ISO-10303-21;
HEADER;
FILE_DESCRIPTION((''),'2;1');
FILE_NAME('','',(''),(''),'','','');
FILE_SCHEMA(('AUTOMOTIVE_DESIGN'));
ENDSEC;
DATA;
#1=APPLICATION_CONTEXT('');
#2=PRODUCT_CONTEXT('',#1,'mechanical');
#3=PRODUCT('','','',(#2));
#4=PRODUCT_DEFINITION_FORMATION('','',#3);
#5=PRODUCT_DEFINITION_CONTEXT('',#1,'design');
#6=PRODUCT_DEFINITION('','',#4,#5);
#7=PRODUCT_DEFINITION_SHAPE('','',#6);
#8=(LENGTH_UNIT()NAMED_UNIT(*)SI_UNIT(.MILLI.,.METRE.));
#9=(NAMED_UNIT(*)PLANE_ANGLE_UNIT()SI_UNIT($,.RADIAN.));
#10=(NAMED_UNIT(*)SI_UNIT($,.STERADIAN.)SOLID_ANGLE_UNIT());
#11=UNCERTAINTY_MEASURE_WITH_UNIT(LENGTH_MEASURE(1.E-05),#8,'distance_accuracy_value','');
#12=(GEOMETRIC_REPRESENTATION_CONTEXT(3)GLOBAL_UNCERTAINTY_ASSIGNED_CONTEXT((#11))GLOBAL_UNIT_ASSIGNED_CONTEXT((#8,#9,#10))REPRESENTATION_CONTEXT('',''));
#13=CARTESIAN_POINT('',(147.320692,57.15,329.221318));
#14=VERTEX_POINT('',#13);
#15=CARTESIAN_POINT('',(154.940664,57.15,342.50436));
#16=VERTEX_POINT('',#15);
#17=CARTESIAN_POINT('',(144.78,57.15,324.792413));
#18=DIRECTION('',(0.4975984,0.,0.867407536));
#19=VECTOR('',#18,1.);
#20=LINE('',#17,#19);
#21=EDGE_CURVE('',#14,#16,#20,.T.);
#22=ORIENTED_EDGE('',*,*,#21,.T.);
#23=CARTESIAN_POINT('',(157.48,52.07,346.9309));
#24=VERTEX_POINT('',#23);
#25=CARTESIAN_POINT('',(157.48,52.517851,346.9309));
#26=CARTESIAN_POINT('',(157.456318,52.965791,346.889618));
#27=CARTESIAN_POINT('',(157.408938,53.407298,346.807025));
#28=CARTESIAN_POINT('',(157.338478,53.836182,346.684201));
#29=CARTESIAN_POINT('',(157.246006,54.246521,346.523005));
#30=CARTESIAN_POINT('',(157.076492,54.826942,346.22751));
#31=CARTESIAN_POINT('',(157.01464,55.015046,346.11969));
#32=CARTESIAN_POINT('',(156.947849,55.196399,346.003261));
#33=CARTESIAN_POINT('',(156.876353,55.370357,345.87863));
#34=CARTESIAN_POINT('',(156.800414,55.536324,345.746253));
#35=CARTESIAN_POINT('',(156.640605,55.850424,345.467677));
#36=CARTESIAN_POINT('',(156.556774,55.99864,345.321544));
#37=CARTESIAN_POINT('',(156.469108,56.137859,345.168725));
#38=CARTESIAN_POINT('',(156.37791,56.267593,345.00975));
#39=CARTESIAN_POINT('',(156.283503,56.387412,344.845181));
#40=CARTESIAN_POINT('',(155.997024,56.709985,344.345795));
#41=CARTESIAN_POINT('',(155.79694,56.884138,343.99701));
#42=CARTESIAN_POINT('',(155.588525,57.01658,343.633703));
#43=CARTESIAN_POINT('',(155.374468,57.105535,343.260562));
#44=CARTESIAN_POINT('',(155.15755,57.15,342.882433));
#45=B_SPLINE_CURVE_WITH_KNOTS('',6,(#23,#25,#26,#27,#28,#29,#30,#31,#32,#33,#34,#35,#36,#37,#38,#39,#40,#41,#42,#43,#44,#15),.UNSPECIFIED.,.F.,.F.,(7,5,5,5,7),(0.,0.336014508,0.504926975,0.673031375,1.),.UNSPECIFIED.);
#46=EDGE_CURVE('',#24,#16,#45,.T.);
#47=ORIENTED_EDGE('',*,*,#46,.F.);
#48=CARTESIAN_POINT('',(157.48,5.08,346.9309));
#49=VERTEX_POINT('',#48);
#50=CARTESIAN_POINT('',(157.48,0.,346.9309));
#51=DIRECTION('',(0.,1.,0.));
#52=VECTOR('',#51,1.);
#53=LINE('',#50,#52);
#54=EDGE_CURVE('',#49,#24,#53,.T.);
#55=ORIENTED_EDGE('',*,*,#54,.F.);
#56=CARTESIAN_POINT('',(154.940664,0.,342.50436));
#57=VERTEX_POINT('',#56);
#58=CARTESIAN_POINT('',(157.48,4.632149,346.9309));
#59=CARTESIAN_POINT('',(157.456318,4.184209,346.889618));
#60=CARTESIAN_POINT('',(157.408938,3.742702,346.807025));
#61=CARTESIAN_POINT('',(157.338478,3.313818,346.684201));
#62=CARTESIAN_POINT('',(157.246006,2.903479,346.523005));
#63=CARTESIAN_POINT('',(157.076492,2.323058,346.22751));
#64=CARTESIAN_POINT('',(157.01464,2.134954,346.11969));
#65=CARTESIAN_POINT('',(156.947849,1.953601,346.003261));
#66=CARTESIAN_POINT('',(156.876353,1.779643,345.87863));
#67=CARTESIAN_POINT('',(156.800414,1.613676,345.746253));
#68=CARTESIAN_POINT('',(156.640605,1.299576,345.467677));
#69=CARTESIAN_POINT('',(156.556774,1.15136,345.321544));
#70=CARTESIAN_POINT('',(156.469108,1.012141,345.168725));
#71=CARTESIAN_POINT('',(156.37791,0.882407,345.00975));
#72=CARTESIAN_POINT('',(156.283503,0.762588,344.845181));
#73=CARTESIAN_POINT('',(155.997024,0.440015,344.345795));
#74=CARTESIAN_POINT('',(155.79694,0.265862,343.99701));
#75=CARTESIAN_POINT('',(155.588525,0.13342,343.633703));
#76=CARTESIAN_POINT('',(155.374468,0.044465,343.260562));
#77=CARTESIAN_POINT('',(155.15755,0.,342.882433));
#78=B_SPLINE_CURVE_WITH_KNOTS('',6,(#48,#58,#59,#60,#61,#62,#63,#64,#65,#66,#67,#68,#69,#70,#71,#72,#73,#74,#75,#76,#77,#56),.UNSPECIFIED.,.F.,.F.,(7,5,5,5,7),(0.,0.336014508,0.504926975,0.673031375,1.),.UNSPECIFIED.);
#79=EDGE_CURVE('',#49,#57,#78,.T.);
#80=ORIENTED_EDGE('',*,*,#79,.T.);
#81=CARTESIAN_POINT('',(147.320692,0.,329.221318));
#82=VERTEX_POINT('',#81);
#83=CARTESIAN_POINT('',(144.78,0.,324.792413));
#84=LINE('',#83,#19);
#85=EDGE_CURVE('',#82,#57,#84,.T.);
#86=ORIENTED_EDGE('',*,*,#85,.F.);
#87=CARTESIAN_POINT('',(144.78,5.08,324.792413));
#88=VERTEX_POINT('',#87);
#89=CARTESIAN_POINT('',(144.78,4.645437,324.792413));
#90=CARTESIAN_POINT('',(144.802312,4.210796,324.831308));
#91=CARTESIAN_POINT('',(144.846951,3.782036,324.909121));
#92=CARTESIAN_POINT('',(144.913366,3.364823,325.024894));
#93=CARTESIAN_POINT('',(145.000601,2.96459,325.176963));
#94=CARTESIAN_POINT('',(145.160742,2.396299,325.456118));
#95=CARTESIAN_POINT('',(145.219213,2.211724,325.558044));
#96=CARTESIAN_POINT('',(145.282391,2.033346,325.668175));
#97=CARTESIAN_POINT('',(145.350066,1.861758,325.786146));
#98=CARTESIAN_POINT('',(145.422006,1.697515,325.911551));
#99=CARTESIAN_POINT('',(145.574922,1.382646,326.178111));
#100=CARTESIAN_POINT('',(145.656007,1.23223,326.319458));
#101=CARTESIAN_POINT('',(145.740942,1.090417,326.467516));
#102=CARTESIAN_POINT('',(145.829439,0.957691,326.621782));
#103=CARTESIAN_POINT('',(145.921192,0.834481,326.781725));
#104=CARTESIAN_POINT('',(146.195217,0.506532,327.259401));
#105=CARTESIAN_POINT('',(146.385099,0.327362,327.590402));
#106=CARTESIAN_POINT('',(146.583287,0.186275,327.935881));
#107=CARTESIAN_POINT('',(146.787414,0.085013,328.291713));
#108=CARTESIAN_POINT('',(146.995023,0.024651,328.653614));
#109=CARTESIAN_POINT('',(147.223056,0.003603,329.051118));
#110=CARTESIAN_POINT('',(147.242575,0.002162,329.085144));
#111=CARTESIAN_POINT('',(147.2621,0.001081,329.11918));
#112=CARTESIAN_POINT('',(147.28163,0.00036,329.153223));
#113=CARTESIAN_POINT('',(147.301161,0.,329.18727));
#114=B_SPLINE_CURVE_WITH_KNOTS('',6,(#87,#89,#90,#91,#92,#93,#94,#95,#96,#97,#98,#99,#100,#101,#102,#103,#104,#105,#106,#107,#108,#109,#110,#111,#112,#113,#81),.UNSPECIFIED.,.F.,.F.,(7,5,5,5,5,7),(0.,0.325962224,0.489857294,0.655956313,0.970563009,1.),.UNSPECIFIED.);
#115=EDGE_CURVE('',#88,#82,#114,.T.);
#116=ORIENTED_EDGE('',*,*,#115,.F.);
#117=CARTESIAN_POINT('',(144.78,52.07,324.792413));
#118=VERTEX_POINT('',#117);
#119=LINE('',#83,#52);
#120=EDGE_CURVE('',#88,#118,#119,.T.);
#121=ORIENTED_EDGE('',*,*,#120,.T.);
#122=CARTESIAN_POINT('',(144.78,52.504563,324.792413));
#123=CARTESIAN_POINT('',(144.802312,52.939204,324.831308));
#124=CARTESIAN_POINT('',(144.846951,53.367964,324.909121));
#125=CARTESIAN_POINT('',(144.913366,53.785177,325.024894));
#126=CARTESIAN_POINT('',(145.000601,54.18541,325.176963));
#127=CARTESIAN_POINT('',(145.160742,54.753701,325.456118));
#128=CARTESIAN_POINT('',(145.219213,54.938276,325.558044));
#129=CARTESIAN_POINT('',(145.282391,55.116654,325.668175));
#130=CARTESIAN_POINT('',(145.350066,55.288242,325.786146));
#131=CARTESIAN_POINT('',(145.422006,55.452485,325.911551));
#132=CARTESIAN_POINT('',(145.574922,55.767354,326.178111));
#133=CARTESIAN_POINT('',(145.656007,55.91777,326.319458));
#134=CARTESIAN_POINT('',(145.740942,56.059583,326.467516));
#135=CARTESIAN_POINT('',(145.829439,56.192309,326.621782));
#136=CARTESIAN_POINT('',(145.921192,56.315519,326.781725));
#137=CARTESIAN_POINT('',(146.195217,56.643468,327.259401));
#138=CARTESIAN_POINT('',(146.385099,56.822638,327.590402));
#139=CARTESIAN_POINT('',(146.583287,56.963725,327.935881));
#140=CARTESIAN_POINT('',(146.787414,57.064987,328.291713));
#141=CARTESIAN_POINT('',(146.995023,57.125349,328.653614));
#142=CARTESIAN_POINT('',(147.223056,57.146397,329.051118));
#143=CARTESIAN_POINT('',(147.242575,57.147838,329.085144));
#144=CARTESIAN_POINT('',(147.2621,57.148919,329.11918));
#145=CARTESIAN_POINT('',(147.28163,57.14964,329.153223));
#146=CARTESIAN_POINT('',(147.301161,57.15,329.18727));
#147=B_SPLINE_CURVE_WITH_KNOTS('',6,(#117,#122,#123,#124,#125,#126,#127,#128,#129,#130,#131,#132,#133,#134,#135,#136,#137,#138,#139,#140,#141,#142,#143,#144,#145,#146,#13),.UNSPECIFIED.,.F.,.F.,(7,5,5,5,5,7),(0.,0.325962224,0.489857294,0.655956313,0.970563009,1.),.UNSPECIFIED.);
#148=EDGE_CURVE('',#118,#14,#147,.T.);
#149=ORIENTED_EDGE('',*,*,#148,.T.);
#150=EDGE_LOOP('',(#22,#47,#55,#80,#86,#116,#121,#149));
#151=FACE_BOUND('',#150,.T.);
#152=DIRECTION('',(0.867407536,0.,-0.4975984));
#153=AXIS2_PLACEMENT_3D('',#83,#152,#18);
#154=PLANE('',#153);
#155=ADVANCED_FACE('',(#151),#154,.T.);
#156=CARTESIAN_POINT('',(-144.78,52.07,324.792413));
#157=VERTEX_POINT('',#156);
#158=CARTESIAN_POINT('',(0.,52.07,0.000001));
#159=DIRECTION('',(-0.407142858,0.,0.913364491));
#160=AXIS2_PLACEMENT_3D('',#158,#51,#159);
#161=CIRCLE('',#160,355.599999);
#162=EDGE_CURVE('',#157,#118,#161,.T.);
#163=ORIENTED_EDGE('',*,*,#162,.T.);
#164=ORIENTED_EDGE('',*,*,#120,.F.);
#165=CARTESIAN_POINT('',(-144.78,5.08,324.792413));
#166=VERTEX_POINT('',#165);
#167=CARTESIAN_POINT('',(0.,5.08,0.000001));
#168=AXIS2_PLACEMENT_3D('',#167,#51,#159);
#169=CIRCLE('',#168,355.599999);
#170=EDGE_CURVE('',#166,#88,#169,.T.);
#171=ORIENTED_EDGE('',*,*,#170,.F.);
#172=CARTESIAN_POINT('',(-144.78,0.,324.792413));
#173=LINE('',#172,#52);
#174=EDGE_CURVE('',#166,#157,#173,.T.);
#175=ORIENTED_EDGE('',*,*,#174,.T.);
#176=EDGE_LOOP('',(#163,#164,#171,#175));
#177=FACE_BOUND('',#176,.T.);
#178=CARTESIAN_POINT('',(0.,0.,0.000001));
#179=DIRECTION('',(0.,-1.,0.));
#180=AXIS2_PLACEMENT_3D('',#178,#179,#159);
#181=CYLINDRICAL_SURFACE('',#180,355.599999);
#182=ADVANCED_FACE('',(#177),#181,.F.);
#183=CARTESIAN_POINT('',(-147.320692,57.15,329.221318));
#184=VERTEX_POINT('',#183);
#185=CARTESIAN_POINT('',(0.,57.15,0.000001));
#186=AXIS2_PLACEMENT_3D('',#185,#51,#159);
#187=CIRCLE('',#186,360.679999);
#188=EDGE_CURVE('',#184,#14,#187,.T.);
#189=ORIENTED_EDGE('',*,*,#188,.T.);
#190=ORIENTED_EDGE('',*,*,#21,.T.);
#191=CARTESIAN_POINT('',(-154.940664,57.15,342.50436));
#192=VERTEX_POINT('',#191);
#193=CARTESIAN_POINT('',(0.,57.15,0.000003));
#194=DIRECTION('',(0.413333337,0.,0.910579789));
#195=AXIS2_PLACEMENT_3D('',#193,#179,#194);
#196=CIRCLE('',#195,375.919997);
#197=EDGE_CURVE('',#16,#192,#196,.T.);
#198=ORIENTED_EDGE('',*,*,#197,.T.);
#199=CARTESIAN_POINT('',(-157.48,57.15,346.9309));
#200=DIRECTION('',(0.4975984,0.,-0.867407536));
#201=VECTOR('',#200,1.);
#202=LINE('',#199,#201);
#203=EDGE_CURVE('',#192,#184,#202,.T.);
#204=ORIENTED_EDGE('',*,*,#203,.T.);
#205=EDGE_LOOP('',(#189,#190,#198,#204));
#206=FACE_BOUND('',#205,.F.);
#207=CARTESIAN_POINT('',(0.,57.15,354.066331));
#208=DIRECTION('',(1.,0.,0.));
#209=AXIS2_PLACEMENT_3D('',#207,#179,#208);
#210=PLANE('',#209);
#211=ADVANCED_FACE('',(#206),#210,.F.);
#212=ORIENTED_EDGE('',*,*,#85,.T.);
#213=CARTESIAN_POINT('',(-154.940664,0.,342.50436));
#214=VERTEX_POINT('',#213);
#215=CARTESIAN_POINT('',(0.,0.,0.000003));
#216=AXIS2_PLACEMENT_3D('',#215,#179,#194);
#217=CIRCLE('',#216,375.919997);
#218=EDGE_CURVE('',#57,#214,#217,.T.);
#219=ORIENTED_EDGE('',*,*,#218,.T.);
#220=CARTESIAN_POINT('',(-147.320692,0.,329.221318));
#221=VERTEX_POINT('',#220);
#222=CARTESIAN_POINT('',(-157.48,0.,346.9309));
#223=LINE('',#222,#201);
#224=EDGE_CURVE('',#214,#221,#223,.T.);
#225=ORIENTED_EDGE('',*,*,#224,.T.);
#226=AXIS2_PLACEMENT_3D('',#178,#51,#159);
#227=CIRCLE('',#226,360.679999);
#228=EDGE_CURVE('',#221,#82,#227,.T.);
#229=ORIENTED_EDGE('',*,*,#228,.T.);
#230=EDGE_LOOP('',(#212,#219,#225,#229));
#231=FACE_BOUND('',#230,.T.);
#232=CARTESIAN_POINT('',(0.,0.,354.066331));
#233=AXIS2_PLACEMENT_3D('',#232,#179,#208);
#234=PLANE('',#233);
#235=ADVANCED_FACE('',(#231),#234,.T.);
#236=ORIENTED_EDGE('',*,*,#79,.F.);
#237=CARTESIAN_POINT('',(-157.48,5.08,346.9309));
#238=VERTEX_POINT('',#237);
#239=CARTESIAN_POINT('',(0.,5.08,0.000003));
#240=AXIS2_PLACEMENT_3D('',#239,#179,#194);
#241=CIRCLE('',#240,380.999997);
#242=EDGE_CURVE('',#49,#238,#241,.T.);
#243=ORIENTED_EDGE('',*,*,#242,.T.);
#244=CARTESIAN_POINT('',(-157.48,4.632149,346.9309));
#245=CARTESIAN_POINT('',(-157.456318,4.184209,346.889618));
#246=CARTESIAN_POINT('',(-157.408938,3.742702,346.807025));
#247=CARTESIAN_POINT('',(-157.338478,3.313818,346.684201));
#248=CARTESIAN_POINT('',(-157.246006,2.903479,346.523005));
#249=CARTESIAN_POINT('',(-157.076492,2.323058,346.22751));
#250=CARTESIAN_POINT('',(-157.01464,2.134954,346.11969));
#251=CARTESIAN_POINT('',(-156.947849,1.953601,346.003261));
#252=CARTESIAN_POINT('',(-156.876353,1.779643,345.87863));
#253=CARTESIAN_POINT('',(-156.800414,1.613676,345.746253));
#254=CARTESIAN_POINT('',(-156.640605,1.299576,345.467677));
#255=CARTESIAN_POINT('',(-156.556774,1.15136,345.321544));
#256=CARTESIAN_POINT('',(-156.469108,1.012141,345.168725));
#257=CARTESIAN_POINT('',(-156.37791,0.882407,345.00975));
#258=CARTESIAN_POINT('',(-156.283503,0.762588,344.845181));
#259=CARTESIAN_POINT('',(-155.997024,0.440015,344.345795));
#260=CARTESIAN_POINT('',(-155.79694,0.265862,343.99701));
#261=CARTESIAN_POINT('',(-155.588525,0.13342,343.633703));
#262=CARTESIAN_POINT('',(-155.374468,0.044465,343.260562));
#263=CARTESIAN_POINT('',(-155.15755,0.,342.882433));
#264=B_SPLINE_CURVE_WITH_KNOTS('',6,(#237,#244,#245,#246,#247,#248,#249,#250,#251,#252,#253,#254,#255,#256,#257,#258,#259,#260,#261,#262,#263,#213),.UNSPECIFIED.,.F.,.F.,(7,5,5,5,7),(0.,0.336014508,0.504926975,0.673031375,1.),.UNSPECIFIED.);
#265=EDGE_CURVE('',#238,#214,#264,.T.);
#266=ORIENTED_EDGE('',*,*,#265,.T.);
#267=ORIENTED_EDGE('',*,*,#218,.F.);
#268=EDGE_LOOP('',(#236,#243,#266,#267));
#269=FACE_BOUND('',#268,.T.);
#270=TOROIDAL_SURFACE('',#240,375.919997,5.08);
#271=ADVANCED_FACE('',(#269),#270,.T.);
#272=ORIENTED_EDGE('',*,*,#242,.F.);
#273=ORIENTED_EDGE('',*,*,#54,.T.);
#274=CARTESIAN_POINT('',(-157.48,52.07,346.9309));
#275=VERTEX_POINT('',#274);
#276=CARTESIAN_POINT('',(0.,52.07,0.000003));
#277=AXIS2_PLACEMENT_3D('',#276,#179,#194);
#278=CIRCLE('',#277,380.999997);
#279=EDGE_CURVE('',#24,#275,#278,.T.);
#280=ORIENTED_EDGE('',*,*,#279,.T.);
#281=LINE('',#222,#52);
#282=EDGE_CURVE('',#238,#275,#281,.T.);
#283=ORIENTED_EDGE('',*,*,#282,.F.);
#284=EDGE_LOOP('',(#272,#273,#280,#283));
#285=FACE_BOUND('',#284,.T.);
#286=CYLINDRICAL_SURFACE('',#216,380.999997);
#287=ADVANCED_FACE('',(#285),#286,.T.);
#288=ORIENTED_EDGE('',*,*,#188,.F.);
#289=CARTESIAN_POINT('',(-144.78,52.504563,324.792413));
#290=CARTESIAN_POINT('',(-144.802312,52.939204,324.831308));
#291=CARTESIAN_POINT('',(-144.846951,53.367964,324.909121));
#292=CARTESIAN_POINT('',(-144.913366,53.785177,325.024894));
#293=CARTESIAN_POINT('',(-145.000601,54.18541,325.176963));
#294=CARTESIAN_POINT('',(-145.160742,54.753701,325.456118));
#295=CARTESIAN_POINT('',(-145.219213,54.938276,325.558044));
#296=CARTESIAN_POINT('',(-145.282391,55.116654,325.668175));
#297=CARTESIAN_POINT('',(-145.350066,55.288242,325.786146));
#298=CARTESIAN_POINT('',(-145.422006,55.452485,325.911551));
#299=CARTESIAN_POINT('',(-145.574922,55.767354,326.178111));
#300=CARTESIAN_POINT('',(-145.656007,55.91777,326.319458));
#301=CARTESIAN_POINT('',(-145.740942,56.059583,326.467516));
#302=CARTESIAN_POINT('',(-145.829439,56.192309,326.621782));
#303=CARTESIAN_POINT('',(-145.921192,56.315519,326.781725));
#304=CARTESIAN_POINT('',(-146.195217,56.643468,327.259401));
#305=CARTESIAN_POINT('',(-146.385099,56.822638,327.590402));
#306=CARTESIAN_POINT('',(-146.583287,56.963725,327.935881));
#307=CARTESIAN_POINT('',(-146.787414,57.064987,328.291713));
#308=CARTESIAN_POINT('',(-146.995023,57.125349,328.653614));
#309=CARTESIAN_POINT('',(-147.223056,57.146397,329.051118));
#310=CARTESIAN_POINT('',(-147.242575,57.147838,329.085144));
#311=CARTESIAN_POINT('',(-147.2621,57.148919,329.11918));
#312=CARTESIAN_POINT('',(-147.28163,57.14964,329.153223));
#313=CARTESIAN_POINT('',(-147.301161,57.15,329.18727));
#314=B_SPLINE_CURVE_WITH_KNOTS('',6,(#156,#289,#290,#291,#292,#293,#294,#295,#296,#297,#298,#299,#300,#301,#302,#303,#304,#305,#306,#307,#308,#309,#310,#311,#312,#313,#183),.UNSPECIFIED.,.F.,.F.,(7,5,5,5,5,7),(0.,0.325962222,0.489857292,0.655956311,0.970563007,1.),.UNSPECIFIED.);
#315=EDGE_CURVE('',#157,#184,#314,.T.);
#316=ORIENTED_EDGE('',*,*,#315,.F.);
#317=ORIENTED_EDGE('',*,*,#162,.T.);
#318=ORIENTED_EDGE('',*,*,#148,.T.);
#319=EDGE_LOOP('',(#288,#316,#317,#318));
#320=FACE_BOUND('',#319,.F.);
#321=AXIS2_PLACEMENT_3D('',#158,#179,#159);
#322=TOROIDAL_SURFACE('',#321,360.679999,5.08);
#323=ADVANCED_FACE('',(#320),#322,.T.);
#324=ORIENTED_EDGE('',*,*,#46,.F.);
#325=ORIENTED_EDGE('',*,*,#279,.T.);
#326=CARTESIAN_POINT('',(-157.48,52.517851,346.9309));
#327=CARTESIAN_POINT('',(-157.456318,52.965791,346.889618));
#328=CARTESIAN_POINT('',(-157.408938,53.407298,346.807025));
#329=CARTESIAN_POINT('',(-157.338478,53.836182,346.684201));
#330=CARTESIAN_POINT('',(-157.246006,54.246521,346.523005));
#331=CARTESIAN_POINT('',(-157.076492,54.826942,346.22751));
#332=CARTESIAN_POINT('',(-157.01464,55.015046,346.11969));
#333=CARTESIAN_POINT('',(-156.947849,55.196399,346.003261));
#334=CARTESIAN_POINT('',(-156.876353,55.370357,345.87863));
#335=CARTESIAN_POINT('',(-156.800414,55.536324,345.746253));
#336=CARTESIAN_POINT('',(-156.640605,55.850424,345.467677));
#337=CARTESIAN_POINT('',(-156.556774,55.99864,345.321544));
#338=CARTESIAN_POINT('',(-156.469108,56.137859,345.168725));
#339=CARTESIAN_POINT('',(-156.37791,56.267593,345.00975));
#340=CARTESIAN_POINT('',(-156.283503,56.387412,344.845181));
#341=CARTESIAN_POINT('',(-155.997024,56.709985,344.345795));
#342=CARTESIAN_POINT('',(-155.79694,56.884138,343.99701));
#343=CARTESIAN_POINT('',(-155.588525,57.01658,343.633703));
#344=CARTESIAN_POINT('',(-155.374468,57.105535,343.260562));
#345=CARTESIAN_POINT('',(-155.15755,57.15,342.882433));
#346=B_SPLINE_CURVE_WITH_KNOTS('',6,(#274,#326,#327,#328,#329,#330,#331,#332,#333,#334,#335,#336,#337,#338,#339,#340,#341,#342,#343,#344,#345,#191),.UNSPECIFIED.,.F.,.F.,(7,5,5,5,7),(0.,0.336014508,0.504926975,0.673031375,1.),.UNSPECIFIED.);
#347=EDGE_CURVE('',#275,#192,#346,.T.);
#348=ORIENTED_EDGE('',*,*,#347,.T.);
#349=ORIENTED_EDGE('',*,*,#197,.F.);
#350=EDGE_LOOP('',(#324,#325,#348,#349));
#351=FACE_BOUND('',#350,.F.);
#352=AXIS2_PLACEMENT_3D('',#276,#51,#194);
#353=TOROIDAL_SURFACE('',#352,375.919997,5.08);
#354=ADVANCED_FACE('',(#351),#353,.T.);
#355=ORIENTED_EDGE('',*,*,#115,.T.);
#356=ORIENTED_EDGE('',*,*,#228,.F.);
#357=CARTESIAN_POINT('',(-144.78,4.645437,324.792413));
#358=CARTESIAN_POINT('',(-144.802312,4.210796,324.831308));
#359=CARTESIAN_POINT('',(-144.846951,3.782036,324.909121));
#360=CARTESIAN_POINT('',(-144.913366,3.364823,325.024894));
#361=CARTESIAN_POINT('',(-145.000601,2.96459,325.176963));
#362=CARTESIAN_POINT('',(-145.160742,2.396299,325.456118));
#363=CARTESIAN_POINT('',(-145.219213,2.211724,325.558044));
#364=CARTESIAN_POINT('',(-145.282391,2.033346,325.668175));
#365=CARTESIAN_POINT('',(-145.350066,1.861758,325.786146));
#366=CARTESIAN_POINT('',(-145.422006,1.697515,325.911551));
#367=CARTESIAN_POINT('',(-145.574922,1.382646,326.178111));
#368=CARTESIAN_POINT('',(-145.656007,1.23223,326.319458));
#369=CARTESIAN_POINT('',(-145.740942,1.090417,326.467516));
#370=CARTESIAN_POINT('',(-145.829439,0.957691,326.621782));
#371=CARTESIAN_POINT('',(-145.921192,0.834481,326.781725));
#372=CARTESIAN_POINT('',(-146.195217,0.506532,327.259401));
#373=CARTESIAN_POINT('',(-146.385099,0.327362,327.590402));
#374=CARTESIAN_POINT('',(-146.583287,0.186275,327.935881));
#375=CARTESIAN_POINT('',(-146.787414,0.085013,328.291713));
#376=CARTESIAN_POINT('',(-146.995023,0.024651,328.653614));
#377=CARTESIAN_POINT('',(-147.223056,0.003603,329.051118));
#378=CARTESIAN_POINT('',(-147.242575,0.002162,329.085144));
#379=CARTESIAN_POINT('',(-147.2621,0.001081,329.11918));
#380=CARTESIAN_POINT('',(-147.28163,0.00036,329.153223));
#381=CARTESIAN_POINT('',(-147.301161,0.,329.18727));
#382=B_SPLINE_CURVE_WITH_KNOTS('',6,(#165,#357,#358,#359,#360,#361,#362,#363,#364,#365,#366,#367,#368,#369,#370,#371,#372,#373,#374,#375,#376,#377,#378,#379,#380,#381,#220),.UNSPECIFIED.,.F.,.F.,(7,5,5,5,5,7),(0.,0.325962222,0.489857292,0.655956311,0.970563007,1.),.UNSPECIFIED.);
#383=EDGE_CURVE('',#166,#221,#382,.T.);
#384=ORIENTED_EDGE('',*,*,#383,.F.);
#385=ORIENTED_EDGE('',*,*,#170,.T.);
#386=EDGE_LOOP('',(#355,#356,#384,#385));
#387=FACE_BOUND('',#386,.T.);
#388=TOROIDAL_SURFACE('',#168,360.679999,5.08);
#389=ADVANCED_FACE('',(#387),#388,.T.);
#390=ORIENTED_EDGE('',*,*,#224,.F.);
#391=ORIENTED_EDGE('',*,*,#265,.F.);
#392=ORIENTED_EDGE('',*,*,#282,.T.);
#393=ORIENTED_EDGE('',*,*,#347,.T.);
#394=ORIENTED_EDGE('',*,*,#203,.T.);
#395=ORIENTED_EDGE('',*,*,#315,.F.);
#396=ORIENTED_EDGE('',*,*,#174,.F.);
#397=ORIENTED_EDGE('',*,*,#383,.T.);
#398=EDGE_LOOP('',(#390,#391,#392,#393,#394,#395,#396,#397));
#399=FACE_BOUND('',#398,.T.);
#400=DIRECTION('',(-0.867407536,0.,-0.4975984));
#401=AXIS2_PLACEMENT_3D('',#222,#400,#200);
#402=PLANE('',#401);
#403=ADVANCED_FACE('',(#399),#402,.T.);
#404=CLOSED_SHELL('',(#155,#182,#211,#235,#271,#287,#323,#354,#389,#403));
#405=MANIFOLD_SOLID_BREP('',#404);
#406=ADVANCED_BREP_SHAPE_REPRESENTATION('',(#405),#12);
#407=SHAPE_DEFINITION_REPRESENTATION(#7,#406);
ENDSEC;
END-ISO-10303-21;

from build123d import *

# Parameters (mm, degrees)
F1_DEPTH = 57.15
F2_R     = 5.08


with BuildPart() as f1:
    # F0 (on Front) → F1 (new body)
    with BuildSketch(Plane.XZ):
        with BuildLine():
            Line((144.78, 324.792413), (157.48, 346.9309))
            ThreePointArc((157.48, 346.9309), (0, 381), (-157.48, 346.9309))
            Line((-157.48, 346.9309), (-144.78, 324.792413))
            ThreePointArc((-144.78, 324.792413), (0, 355.6), (144.78, 324.792413))
        make_face()
    extrude(amount=-F1_DEPTH)

    # F2
    f2_edges = [f1.edges().sort_by_distance(p)[0] for p in [
        (0, 0, 355.6),
        (0, 0, 381),
        (0, 57.15, 381),
        (0, 57.15, 355.6),
    ]]
    fillet(f2_edges, radius=F2_R)


solid = f1.part
